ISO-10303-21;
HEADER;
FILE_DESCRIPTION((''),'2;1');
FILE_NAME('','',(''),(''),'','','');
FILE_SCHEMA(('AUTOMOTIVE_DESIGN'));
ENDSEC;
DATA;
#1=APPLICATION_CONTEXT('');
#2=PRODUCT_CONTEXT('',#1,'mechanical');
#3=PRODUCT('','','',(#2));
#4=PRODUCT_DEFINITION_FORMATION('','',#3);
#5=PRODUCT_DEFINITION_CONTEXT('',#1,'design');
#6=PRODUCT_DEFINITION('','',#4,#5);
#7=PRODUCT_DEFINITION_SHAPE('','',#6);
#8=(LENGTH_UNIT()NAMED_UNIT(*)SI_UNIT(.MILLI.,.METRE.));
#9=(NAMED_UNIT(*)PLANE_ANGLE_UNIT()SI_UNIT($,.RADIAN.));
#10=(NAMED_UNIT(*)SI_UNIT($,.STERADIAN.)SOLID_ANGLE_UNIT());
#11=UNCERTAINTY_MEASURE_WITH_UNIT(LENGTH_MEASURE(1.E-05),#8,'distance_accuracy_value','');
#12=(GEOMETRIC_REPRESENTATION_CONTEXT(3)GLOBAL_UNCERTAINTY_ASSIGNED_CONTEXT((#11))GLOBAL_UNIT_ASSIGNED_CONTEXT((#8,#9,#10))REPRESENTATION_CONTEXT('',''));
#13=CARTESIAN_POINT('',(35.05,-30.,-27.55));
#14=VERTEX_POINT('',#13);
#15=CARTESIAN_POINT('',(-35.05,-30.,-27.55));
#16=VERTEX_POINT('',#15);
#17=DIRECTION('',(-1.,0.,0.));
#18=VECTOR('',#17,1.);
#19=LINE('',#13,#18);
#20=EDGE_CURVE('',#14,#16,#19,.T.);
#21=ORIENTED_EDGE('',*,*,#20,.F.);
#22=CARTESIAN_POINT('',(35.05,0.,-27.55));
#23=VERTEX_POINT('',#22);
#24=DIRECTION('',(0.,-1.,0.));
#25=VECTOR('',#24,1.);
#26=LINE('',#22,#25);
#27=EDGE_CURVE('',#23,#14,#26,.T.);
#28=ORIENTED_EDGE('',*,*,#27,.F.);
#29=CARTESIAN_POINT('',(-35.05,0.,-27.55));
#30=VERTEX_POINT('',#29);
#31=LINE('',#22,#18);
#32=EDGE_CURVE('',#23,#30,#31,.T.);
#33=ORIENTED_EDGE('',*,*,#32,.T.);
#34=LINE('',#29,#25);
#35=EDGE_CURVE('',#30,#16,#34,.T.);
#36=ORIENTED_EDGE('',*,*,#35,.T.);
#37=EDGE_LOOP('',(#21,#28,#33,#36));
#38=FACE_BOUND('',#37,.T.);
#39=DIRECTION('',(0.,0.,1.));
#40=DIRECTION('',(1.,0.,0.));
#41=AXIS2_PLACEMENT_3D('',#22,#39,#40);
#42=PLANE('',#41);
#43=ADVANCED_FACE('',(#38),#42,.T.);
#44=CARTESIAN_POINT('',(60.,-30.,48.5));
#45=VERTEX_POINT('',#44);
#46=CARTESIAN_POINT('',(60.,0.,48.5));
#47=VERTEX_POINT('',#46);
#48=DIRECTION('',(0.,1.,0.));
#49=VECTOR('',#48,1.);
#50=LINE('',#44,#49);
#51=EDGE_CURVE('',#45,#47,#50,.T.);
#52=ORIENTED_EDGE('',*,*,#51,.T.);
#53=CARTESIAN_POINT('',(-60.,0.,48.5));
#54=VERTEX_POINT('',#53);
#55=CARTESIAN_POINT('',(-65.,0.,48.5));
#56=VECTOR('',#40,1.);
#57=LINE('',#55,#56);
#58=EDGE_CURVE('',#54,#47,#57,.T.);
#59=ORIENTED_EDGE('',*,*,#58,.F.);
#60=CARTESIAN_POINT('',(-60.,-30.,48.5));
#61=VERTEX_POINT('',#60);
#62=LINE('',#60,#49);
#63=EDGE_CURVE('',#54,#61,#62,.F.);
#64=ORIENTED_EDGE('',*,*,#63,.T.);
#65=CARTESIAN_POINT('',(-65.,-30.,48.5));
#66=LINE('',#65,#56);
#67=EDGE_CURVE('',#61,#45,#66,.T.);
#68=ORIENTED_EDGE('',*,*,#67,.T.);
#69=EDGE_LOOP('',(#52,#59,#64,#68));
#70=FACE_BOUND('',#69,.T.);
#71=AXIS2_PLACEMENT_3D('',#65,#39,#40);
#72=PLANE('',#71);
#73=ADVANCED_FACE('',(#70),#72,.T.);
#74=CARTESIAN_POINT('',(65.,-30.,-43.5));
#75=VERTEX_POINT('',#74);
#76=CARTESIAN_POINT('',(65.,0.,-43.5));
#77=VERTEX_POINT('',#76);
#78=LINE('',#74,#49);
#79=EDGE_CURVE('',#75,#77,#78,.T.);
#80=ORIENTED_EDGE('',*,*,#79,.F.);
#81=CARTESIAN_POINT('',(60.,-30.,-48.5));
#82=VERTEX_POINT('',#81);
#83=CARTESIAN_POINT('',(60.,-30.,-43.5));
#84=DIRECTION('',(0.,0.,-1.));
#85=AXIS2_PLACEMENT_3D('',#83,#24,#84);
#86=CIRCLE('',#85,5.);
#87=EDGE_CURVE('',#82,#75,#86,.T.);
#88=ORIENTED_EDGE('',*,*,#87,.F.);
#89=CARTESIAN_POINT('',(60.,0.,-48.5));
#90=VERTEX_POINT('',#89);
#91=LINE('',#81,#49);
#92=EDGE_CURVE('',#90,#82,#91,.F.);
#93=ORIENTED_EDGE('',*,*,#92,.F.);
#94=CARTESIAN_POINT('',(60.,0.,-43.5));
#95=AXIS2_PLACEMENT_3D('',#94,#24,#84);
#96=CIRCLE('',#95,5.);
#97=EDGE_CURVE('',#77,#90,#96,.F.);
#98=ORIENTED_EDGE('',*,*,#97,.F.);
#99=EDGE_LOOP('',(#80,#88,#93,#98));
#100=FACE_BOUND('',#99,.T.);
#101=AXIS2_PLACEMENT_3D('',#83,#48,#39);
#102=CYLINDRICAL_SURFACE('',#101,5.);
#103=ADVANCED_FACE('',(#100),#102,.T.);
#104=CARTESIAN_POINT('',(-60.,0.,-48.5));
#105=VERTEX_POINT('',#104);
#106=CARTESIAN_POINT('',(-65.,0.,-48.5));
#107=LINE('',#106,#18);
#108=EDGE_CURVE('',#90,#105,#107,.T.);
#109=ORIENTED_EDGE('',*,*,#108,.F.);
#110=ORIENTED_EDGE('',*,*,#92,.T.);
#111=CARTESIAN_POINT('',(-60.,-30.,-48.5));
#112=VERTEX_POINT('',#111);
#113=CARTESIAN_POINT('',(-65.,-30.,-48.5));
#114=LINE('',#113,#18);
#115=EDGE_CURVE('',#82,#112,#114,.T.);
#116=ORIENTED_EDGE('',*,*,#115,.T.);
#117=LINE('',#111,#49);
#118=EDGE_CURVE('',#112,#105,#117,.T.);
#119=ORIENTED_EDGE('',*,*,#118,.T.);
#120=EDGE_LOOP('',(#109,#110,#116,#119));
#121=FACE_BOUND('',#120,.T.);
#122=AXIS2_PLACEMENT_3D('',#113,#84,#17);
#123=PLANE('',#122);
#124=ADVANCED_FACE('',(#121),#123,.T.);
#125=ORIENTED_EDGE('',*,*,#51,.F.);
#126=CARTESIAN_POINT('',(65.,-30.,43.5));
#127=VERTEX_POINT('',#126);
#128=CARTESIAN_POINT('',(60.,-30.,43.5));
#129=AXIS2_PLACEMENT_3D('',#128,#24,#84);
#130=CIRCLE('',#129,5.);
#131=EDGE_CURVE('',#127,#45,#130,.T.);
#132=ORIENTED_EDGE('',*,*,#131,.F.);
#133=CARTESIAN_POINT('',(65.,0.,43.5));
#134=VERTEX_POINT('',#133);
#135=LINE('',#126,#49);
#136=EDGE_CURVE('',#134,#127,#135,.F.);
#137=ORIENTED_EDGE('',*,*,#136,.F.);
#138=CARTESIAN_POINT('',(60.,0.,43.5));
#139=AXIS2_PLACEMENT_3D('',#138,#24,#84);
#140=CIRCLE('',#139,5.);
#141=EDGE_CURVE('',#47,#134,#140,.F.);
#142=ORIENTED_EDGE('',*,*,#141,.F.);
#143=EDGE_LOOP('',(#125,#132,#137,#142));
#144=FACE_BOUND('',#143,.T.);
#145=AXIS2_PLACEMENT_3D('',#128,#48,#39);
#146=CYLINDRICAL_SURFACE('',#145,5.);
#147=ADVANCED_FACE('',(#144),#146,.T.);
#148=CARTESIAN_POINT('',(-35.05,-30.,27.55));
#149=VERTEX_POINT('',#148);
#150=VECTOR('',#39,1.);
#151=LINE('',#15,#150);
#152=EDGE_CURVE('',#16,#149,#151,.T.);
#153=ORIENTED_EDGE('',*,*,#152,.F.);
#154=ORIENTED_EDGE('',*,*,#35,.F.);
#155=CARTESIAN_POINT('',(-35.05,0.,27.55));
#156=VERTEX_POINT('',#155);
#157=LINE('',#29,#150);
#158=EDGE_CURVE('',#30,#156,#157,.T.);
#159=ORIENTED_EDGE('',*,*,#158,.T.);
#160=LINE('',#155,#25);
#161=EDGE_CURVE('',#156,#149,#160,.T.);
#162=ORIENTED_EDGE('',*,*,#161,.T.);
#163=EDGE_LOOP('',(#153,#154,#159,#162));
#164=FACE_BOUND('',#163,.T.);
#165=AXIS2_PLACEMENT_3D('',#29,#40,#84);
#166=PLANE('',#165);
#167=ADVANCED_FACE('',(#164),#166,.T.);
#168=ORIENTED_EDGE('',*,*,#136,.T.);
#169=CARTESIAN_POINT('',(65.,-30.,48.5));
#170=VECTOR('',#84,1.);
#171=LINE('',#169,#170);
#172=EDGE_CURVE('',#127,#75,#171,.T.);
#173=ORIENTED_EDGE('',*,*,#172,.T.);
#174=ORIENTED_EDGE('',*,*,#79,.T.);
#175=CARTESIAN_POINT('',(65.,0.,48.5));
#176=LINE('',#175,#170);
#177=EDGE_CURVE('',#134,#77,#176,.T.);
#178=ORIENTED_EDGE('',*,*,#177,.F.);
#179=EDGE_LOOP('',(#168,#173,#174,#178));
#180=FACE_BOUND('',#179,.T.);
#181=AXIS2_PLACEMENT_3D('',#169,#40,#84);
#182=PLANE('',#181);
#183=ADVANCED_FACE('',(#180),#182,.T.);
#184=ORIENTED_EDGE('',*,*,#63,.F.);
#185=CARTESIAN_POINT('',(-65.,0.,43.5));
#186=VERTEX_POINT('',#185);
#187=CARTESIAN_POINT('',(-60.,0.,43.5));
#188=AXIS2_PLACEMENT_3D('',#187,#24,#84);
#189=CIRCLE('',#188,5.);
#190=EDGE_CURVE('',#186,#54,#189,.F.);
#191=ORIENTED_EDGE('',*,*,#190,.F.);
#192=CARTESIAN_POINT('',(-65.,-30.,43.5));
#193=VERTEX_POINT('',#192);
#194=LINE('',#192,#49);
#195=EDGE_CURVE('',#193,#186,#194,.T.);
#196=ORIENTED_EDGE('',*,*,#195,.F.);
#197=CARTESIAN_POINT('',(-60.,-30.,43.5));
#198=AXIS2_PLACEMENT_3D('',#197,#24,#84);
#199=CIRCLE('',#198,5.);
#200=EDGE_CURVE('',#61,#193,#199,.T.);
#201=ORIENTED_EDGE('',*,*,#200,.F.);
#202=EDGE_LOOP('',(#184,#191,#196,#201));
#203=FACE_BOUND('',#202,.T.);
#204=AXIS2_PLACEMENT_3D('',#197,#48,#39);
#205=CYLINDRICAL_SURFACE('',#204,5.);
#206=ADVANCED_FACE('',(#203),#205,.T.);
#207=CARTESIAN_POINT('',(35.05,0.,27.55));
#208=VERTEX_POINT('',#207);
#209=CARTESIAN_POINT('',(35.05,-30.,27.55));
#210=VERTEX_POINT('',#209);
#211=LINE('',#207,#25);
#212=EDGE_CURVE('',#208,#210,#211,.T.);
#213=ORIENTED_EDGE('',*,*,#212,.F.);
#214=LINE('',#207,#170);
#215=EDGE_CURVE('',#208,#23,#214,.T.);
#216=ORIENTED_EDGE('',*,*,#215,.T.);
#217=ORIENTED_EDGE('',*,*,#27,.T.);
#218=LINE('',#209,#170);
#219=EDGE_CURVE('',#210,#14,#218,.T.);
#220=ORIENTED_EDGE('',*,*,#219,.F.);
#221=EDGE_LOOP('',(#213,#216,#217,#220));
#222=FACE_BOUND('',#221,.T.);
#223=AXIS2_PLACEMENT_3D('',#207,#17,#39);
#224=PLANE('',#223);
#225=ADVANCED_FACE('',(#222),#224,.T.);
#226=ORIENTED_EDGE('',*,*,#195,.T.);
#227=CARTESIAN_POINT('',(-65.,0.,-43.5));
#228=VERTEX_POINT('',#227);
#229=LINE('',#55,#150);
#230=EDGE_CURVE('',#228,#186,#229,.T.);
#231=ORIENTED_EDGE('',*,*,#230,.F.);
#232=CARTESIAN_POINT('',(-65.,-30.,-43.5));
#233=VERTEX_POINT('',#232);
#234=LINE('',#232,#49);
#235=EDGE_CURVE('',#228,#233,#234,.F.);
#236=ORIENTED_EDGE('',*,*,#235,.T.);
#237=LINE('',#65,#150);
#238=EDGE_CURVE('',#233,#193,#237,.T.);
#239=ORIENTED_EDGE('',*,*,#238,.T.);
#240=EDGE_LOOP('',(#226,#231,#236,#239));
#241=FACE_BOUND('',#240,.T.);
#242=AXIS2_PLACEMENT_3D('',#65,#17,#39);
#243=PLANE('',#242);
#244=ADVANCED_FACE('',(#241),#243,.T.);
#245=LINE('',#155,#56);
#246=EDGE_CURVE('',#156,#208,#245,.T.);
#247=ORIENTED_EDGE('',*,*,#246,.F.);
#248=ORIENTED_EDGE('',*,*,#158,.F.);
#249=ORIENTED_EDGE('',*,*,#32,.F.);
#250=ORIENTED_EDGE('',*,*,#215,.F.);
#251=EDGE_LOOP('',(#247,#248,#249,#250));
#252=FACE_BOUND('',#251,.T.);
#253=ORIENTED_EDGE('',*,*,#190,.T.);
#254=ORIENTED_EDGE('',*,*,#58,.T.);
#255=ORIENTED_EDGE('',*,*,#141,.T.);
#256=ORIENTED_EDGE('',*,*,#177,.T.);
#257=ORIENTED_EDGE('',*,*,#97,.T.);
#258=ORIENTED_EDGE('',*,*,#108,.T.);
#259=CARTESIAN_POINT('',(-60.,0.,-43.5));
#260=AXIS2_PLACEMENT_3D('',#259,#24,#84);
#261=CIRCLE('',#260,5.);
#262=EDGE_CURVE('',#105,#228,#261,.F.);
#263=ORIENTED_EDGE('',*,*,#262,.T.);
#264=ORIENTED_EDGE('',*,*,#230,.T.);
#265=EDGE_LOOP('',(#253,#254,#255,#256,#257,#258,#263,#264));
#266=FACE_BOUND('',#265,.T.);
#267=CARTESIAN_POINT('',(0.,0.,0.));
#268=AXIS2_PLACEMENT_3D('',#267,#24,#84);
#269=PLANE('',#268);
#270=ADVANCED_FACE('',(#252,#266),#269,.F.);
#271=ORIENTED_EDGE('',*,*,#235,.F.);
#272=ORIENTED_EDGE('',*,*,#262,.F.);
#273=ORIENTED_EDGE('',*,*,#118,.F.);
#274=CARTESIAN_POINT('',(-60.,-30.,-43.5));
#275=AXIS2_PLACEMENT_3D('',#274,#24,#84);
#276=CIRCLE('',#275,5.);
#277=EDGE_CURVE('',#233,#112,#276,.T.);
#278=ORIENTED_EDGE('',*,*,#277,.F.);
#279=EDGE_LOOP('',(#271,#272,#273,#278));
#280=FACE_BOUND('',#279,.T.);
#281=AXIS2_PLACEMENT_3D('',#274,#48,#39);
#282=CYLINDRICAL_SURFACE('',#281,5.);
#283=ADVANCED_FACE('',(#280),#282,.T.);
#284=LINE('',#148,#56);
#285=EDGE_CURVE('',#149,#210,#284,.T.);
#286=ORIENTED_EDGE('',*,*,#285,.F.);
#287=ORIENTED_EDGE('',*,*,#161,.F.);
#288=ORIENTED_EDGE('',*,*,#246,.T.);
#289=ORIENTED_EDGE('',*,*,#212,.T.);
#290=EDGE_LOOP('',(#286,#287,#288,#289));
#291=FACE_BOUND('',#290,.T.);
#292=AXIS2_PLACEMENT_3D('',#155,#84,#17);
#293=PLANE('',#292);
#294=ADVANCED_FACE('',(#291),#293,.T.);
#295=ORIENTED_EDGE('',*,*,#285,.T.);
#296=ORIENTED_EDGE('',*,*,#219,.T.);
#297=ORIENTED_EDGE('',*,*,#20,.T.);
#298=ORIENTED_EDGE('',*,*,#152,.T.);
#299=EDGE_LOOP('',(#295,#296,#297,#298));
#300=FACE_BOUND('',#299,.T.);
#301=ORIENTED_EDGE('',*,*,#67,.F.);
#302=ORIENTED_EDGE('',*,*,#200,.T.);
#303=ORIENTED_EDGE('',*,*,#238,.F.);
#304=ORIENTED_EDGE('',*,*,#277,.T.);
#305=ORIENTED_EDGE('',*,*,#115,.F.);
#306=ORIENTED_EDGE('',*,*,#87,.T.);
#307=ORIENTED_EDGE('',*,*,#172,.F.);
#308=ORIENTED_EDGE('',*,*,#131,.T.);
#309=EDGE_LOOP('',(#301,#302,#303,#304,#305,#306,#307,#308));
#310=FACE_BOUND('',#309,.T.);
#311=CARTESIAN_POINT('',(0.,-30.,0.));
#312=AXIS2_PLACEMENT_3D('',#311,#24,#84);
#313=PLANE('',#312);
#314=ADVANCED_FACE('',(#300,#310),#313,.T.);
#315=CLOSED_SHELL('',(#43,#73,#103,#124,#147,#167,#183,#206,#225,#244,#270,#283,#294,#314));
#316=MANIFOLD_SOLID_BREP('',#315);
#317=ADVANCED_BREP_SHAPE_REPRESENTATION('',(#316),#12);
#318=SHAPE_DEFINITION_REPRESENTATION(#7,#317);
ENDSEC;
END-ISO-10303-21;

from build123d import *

# Parameters (mm, degrees)
SKETCH1_W           = 130
SKETCH1_H           = 97
BOSS_EXTRUDE1_DEPTH = 30
FILLET1_R           = 5
SKETCH2_W           = 70.1
SKETCH2_H           = 55.1
CUT_EXTRUDE3_DEPTH  = 87.471093436


with BuildPart() as part:
    # Sketch1 → Boss-Extrude1 (new body)
    with BuildSketch(Plane(origin=(0, 0, 0), x_dir=(1, 0, 0), z_dir=(0, 1, 0))):
        Rectangle(SKETCH1_W, SKETCH1_H)
    extrude(amount=-BOSS_EXTRUDE1_DEPTH)

    # Fillet1
    fillet1_edges = [part.edges().sort_by_distance(p)[0] for p in [
        (65, -15, 48.5),
        (-65, -15, 48.5),
        (-65, -15, -48.5),
        (65, -15, -48.5),
    ]]
    fillet(fillet1_edges, radius=FILLET1_R)

    # Sketch2 → Cut-Extrude3 (cut, through all)
    with BuildSketch(Plane(origin=(0, -30, 0), x_dir=(1, 0, 0), z_dir=(0, 1, 0))):
        Rectangle(SKETCH2_W, SKETCH2_H)
    extrude(amount=CUT_EXTRUDE3_DEPTH, mode=Mode.SUBTRACT)


solid = part.part
